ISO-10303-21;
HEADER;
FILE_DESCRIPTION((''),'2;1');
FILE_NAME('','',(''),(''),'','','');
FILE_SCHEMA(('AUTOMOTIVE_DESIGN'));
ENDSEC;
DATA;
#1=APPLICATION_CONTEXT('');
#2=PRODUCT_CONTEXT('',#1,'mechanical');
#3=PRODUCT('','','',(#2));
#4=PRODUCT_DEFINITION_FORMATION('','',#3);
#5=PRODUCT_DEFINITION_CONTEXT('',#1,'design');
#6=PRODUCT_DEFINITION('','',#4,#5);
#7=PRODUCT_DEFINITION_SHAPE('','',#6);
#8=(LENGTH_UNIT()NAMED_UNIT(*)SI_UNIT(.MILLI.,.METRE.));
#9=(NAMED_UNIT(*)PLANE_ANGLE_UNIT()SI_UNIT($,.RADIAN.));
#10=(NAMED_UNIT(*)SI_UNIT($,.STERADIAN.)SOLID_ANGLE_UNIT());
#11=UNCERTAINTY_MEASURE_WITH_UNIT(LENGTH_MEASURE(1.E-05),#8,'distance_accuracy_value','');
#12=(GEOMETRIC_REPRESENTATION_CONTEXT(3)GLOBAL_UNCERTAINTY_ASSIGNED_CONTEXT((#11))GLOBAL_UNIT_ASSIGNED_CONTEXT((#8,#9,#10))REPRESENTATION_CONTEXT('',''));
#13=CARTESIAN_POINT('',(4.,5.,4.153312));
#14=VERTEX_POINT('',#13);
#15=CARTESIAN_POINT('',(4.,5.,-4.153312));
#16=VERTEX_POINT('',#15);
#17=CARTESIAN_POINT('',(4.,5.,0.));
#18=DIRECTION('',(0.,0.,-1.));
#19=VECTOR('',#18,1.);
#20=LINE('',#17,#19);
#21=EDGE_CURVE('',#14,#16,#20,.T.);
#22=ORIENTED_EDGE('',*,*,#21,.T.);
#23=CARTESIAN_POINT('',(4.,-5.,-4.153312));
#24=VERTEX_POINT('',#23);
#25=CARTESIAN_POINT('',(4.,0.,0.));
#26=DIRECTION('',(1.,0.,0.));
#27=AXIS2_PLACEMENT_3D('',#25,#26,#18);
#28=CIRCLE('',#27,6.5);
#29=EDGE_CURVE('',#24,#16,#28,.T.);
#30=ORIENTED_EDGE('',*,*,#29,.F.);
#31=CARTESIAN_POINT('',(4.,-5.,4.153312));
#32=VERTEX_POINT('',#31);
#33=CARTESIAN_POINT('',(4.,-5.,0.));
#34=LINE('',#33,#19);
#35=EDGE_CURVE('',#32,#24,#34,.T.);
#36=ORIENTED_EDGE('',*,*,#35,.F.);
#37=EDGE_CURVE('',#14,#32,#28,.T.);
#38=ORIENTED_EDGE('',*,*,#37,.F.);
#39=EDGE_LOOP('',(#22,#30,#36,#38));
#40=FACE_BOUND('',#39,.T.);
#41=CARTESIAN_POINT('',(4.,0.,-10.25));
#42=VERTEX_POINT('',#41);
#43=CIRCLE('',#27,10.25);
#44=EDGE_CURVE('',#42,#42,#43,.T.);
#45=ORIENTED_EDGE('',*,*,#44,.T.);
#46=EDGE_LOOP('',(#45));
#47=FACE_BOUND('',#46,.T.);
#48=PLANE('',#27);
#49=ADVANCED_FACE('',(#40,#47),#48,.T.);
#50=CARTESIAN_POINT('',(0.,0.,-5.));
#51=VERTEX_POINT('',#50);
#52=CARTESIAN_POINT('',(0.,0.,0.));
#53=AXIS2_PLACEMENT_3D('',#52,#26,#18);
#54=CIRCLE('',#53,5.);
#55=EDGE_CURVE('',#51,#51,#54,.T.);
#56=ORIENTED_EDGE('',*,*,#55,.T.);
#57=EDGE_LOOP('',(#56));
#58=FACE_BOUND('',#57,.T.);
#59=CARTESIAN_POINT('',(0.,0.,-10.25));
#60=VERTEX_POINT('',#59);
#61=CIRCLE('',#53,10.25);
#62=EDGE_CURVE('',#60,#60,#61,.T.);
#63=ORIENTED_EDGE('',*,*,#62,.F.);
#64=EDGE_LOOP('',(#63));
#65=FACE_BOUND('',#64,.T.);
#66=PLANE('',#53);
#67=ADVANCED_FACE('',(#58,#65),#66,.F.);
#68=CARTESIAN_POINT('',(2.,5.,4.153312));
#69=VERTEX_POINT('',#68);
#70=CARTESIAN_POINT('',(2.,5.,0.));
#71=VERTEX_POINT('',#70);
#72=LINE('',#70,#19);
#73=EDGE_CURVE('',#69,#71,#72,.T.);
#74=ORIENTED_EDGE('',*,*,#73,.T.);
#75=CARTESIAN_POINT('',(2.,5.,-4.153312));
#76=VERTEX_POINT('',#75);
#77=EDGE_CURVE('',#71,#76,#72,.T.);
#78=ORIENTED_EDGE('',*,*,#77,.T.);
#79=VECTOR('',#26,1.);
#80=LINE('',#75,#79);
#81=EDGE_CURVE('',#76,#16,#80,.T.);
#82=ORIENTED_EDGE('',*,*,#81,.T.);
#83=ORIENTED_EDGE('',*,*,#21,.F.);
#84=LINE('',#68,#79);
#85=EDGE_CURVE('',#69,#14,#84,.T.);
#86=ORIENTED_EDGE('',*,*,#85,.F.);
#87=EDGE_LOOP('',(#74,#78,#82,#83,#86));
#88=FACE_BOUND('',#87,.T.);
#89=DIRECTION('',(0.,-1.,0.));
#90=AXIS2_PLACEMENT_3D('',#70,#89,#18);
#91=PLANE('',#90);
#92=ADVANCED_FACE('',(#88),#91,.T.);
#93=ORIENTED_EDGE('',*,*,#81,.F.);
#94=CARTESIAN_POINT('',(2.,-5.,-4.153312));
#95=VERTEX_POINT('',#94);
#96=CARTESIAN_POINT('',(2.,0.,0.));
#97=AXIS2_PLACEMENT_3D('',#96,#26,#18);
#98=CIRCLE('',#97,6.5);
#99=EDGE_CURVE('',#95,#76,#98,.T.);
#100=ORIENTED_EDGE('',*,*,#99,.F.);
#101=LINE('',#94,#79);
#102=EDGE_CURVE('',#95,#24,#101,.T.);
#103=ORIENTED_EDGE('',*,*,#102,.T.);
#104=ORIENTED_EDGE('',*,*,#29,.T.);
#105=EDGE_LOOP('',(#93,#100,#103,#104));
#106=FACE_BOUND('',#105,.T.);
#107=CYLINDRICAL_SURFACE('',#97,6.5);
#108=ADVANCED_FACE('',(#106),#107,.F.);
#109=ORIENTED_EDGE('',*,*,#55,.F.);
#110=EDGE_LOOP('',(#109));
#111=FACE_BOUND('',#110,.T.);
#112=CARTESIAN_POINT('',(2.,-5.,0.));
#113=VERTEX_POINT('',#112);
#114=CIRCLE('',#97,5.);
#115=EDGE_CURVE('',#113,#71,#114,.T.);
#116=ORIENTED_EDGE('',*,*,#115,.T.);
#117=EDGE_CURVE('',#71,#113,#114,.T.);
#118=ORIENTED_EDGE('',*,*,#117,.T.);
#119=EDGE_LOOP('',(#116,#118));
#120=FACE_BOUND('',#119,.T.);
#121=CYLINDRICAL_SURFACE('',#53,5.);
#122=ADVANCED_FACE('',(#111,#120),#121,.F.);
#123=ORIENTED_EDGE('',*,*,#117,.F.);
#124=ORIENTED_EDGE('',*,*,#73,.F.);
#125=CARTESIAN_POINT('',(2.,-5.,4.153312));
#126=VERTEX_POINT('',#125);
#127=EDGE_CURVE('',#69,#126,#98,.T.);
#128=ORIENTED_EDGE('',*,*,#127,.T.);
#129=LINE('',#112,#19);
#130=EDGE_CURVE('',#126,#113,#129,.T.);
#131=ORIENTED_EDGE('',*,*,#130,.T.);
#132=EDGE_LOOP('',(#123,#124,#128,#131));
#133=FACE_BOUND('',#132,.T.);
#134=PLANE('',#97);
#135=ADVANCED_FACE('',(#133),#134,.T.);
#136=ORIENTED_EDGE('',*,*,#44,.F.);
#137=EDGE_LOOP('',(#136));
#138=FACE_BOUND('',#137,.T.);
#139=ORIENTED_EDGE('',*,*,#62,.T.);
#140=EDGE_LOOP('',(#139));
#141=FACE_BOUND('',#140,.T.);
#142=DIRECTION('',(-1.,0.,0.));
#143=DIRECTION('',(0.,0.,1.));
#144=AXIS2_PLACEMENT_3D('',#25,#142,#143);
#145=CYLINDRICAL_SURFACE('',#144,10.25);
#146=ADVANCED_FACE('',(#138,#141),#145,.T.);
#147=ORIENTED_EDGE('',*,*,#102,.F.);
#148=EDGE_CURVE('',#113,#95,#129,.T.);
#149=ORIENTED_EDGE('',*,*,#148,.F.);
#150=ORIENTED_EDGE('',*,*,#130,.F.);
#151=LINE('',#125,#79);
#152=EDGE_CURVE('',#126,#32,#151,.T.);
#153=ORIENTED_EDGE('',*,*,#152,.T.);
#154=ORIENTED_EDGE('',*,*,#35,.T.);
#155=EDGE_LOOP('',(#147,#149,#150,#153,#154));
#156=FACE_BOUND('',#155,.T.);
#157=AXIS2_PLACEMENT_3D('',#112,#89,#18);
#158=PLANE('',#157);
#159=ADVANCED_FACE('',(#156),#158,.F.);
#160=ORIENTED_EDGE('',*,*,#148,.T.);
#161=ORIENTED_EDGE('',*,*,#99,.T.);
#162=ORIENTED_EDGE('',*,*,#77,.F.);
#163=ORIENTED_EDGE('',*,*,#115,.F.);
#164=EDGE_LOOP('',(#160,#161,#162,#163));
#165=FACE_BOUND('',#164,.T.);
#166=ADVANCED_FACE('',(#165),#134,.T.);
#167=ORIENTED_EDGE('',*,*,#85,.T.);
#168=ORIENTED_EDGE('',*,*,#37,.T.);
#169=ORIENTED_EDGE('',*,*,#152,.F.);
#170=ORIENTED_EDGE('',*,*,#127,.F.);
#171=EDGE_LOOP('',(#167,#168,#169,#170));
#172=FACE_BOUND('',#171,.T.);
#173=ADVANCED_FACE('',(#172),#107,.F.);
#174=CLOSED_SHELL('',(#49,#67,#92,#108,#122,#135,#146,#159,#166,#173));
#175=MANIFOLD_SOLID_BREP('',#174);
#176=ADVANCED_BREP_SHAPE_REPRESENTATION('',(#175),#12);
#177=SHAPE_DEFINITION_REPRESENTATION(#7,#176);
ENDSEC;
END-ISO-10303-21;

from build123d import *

# Parameters (mm, degrees)
SKETCH1_R           = 10.25
BOSS_EXTRUDE1_DEPTH = 4
SKETCH2_W           = 8.306623862
SKETCH2_H           = 10
CUT_EXTRUDE1_DEPTH  = 2
SKETCH3_R           = 5
CUT_EXTRUDE2_DEPTH  = 3


with BuildPart() as part:
    # Sketch1 → Boss-Extrude1 (new body)
    with BuildSketch(Plane(origin=(0, 0, 0), x_dir=(0, 0, -1), z_dir=(1, 0, 0))):
        Circle(SKETCH1_R)
    extrude(amount=BOSS_EXTRUDE1_DEPTH)

    # Sketch2 → Cut-Extrude1 (cut)
    with BuildSketch(Plane(origin=(4, 0, 0), x_dir=(0, 0, -1), z_dir=(1, 0, 0))):
        with BuildLine():
            ThreePointArc((-4.153311931, 5), (-6.5, 0), (-4.153311931, -5))
            Line((-4.153311931, -5), (-4.153311931, 5))
        make_face()
        Rectangle(SKETCH2_W, SKETCH2_H)
        with BuildLine():
            Line((4.153311931, 5), (4.153311931, -5))
            ThreePointArc((4.153311931, -5), (5.884153616, -2.761654617), (6.5, 0))
            ThreePointArc((6.5, 0), (5.884153616, 2.761654617), (4.153311931, 5))
        make_face()
    extrude(amount=-CUT_EXTRUDE1_DEPTH, mode=Mode.SUBTRACT)

    # Sketch3 → Cut-Extrude2 (cut, through all)
    with BuildSketch(Plane(origin=(2, 0, 0), x_dir=(0, 0, -1), z_dir=(1, 0, 0))):
        Circle(SKETCH3_R)
    extrude(amount=-CUT_EXTRUDE2_DEPTH, mode=Mode.SUBTRACT)


solid = part.part
